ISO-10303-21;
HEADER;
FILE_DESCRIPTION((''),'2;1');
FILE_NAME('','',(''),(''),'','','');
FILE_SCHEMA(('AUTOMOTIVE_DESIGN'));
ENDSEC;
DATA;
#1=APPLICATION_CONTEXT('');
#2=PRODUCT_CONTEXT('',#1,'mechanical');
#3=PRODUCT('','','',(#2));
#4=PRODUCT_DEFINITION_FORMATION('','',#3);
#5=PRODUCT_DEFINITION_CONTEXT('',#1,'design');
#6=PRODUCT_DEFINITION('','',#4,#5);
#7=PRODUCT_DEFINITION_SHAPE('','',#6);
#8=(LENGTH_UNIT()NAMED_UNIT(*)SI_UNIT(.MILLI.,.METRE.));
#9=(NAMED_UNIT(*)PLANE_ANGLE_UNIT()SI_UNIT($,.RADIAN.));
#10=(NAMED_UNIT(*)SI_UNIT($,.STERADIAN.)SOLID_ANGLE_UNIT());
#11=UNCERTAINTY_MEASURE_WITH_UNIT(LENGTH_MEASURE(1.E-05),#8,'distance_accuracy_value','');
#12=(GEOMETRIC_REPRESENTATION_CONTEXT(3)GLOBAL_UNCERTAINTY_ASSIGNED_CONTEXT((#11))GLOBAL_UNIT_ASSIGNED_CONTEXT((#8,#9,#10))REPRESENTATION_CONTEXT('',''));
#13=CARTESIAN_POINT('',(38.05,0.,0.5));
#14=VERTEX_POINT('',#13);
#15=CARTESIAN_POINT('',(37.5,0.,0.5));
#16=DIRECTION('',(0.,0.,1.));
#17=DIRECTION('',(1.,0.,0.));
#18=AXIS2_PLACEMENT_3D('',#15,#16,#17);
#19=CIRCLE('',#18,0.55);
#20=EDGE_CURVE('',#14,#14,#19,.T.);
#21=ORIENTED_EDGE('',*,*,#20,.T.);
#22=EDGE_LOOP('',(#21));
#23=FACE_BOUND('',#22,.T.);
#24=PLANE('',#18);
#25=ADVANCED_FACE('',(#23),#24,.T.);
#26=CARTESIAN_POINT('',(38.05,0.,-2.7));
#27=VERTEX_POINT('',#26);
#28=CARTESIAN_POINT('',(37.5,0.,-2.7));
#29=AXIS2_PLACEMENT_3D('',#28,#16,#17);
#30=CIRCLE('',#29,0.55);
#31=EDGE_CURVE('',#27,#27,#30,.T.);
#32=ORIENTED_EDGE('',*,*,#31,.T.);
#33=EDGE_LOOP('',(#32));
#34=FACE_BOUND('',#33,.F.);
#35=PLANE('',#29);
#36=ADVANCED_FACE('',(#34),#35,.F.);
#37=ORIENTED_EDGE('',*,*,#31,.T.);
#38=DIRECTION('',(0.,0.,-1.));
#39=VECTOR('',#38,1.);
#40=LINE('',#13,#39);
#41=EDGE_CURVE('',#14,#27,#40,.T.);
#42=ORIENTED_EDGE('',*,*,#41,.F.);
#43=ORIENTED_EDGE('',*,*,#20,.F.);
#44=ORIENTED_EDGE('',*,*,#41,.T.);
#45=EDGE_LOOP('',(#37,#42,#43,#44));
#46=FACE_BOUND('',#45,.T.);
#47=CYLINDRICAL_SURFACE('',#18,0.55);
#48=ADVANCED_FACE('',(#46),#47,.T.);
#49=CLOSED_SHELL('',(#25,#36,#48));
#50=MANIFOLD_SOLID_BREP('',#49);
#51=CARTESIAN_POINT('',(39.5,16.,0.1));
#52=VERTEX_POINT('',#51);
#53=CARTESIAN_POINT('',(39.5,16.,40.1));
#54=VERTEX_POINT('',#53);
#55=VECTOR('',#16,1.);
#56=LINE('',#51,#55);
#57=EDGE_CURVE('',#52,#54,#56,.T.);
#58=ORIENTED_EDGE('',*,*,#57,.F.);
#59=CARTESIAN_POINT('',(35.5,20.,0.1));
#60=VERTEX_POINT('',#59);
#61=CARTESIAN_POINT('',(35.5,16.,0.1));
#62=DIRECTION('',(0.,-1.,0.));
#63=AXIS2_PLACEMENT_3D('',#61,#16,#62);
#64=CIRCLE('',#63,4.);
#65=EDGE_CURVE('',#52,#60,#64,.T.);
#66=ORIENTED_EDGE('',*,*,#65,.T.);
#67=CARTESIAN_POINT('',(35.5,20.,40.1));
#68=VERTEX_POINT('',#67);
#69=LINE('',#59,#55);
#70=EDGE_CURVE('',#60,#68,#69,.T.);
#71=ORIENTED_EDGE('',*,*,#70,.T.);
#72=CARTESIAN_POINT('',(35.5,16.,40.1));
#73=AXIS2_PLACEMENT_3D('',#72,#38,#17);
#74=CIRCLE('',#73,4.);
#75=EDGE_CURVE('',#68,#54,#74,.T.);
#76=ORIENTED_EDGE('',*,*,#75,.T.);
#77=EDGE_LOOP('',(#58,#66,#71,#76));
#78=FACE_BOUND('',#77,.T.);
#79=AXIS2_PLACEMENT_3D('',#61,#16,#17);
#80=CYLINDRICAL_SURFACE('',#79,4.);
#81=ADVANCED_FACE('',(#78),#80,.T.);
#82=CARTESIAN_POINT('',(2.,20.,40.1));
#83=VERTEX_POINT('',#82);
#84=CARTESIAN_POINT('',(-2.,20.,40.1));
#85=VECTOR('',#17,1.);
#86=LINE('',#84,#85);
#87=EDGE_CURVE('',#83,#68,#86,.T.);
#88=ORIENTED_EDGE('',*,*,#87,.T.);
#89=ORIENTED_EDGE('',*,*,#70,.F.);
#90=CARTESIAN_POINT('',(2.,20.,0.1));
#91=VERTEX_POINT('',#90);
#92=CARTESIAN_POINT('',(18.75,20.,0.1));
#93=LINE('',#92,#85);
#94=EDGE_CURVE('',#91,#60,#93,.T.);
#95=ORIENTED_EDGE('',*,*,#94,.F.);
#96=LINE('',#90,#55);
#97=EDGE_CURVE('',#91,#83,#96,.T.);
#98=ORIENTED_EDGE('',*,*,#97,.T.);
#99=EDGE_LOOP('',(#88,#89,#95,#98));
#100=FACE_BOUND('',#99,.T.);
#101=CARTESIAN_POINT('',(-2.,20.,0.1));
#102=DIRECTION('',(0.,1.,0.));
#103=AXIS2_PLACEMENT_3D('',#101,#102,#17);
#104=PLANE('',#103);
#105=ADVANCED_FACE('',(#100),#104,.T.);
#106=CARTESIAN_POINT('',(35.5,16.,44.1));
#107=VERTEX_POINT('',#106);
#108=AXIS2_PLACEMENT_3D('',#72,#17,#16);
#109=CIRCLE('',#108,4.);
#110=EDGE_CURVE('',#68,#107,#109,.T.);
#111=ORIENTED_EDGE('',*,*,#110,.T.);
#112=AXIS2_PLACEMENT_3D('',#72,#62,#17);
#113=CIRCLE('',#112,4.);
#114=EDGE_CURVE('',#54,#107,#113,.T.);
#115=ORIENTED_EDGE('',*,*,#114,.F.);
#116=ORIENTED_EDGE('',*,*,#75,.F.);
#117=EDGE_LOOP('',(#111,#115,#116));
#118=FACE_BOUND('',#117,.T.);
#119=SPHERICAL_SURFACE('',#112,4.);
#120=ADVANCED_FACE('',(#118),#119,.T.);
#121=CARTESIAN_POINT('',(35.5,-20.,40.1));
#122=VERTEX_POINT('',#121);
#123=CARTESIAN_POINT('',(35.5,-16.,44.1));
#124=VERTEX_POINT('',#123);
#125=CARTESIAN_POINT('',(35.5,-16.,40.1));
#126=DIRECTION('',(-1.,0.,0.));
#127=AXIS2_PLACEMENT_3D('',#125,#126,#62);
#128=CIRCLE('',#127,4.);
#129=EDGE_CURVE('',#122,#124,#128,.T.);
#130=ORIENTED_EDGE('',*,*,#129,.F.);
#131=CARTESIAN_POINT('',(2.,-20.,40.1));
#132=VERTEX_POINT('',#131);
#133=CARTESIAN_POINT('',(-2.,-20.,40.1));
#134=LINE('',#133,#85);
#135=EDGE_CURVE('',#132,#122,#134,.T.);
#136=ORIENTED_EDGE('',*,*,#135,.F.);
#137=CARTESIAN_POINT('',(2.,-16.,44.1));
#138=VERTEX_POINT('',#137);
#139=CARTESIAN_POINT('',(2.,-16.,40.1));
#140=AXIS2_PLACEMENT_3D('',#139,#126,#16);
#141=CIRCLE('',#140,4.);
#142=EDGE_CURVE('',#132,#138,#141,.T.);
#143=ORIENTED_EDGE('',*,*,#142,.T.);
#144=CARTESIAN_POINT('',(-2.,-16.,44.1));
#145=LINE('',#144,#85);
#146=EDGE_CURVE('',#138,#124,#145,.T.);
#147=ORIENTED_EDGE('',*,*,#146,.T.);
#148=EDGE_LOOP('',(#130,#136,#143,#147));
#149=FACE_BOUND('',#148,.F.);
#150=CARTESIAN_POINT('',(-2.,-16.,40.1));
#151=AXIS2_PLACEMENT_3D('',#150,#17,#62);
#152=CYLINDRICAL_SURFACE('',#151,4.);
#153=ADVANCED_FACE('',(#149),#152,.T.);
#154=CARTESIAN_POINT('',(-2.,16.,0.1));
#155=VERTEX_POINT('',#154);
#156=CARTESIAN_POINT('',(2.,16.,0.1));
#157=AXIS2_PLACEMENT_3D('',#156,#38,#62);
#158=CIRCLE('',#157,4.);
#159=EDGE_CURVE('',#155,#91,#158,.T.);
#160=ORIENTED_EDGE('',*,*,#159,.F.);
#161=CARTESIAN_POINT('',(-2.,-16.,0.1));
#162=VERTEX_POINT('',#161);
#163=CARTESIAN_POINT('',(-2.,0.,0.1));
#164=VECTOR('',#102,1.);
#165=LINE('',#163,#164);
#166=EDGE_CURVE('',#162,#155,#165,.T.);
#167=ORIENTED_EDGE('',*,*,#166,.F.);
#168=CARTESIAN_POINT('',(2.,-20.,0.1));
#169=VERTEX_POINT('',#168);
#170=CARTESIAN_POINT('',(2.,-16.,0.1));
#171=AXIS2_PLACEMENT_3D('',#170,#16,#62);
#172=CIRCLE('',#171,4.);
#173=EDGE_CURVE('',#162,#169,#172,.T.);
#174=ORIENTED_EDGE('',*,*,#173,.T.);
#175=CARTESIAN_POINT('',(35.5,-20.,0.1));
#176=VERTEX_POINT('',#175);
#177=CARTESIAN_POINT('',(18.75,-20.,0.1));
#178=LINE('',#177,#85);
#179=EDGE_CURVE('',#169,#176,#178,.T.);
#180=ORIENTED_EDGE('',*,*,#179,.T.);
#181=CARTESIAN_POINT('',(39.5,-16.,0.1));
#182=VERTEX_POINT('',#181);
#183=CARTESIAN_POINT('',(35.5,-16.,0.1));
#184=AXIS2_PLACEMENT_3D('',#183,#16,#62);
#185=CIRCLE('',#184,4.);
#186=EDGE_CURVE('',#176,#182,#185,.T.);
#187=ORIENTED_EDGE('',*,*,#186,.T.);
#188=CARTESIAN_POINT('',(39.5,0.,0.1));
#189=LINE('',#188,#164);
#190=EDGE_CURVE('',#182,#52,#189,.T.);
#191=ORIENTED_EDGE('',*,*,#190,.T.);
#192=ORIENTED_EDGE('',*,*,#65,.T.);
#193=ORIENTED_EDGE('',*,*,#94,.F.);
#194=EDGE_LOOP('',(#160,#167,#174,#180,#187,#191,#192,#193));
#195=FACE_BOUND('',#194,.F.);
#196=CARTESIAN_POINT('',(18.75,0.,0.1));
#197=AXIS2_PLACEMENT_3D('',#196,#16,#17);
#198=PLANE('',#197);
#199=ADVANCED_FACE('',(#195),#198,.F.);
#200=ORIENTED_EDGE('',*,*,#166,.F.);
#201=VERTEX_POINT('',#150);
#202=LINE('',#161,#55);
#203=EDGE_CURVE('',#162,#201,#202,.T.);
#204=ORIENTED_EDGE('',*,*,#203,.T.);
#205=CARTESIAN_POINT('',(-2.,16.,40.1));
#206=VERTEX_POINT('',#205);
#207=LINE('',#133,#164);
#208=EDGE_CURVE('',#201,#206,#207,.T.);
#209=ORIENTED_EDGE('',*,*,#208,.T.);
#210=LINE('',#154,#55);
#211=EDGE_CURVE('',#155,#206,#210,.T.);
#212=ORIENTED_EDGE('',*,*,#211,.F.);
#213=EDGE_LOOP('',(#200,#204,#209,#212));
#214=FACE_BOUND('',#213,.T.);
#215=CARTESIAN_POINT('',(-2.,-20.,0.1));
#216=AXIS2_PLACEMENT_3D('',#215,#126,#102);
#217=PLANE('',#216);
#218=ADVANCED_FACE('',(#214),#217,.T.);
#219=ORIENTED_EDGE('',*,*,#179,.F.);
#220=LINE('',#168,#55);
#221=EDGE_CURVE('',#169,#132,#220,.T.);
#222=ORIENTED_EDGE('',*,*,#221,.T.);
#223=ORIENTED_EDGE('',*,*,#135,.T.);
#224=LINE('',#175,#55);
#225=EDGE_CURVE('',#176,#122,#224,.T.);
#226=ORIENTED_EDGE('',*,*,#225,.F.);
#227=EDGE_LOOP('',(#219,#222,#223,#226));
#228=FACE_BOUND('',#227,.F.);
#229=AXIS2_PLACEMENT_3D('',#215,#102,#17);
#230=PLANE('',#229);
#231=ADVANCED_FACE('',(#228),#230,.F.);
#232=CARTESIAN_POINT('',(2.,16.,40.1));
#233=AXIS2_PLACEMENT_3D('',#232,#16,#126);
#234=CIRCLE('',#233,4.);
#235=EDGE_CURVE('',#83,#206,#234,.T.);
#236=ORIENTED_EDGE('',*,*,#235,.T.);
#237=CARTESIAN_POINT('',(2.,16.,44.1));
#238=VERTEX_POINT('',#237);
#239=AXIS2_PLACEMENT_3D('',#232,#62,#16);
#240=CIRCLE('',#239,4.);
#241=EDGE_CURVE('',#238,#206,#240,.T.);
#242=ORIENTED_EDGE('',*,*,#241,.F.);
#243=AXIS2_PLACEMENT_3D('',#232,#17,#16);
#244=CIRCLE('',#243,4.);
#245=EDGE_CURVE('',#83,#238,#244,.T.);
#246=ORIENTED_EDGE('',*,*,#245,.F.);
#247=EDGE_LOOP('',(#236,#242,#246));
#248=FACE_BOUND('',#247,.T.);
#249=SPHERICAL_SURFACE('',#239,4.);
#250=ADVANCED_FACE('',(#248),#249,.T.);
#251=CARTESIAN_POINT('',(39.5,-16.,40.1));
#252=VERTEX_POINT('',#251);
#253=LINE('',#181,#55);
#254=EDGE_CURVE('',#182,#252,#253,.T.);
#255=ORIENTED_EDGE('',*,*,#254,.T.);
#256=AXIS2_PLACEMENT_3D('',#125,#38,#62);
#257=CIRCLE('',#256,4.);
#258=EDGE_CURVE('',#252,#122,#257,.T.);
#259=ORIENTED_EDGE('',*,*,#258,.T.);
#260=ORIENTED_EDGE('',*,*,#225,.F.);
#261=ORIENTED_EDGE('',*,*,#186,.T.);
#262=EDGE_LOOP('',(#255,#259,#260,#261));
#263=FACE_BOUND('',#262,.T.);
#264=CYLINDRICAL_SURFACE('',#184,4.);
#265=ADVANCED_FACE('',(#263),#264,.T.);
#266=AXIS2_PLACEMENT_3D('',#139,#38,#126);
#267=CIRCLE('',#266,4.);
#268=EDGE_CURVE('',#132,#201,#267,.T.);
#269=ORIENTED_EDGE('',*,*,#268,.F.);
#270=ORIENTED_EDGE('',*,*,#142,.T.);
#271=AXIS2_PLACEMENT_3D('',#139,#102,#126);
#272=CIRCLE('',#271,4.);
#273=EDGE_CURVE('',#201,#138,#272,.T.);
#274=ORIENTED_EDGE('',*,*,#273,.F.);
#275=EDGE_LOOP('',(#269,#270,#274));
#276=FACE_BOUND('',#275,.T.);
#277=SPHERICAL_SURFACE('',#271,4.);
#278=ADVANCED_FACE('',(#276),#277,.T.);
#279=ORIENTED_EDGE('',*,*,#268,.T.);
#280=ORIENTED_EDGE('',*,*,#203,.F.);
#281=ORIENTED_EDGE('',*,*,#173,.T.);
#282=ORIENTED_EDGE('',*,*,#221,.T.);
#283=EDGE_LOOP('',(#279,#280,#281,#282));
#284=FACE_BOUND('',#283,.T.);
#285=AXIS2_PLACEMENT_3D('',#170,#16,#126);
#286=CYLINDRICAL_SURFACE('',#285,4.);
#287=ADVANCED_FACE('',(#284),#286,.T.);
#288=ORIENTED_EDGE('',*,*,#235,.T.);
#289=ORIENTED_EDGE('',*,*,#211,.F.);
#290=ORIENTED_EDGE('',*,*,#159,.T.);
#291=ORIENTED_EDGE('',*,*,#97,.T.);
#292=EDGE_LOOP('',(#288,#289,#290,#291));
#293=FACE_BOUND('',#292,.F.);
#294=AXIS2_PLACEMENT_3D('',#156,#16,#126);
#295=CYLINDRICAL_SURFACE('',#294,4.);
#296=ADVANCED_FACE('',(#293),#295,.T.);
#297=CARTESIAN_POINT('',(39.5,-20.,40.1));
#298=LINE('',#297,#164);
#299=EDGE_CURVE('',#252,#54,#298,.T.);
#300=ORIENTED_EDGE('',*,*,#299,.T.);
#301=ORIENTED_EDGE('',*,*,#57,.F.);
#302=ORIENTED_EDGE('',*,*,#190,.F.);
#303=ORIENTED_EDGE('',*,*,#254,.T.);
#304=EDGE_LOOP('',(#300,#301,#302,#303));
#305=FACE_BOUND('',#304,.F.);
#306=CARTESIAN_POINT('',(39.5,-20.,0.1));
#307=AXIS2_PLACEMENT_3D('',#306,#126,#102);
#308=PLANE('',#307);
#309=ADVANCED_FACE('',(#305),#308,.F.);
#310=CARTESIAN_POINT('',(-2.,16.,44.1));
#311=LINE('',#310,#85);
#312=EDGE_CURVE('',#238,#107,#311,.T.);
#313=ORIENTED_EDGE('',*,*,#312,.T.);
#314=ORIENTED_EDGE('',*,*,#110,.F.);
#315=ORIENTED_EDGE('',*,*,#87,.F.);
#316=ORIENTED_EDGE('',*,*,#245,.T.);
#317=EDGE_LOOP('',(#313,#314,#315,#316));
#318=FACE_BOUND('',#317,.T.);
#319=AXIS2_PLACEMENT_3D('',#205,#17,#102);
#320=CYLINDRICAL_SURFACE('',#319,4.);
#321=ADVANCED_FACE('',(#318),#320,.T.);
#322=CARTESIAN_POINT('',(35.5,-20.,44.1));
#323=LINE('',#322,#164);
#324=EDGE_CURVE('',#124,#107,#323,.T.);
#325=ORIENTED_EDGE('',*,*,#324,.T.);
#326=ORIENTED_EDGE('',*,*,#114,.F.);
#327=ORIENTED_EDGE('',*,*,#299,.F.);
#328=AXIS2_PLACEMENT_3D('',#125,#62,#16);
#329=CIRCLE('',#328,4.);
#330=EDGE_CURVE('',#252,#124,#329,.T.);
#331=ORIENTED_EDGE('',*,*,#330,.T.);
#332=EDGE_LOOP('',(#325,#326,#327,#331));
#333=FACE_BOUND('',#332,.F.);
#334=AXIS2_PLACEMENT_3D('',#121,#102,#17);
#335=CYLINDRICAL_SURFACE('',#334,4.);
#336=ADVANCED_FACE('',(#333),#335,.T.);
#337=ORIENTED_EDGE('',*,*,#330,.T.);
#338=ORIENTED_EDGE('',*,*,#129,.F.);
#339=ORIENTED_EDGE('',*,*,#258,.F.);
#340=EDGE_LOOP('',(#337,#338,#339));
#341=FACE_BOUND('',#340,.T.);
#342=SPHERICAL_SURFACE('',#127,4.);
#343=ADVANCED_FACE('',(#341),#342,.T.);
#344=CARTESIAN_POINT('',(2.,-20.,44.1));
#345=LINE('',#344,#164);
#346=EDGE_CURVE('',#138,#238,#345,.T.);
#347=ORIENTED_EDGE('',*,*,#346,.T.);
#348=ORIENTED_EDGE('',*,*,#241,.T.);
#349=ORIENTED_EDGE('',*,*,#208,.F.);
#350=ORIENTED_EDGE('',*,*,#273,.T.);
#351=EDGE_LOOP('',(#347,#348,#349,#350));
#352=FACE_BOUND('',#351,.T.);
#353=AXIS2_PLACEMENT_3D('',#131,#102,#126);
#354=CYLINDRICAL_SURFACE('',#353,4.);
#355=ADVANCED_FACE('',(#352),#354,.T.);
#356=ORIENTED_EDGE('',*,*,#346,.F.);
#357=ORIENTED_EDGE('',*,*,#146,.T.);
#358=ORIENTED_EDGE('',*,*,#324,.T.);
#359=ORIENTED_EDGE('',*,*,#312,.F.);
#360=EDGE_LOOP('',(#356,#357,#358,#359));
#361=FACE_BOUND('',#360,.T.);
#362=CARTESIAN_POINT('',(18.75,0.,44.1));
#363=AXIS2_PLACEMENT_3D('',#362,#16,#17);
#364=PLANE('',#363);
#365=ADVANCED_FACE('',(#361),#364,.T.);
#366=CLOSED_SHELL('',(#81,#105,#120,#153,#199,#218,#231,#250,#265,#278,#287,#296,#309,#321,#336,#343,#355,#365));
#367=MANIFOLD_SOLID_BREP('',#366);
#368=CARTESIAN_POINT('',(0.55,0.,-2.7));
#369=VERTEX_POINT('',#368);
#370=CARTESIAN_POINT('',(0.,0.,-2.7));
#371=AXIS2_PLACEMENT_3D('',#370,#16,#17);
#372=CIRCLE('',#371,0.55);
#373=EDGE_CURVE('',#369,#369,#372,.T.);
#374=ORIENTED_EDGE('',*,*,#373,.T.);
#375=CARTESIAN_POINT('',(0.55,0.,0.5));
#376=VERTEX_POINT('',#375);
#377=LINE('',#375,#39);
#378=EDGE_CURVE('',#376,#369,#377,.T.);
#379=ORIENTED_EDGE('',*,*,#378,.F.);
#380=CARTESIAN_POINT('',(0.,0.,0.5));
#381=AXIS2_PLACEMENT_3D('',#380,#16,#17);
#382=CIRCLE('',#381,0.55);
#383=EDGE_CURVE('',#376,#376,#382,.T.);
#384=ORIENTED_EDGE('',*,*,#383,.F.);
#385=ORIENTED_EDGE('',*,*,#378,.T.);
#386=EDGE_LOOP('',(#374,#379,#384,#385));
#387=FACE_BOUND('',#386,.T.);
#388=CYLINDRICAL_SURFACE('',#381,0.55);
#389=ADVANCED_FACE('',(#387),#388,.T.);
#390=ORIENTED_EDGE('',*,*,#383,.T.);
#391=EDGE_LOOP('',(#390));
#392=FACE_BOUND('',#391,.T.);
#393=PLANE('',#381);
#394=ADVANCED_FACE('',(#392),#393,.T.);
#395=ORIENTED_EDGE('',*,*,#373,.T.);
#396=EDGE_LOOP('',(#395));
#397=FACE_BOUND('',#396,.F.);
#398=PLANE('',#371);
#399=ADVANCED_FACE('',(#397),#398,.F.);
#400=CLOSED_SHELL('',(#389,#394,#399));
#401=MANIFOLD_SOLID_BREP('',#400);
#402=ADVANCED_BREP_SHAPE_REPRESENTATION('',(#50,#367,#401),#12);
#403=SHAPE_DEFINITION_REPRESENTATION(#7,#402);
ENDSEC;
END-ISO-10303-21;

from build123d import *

# Parameters (mm, degrees)
SKETCH_W     = 41.5
SKETCH_H     = 40
PAD_DEPTH    = 44
FILLET_R     = 4
SKETCH001_R  = 0.55
PAD001_DEPTH = 3.2


with BuildPart() as fillet_body:
    # Sketch → Pad (new body)
    with BuildSketch(Plane.XY.offset(0.1)):
        with Locations((18.75, 0)):
            Rectangle(SKETCH_W, SKETCH_H)
    extrude(amount=PAD_DEPTH)

    # Fillet
    fillet_edges = [fillet_body.edges().sort_by_distance(p)[0] for p in [
        (-2, 0, 44.1),
        (-2, -20, 22.1),
        (18.75, -20, 44.1),
        (39.5, -20, 22.1),
        (39.5, 0, 44.1),
        (39.5, 20, 22.1),
        (18.75, 20, 44.1),
        (-2, 20, 22.1),
    ]]
    fillet(fillet_edges, radius=FILLET_R)


with BuildPart() as pad001:
    # Sketch001 → Pad001 (new body)
    with BuildSketch(Plane.XY.offset(0.5)):
        Circle(SKETCH001_R)
        with Locations((37.5, 0)):
            Circle(SKETCH001_R)
    extrude(amount=-PAD001_DEPTH)


solid = Compound([fillet_body.part, pad001.part])
